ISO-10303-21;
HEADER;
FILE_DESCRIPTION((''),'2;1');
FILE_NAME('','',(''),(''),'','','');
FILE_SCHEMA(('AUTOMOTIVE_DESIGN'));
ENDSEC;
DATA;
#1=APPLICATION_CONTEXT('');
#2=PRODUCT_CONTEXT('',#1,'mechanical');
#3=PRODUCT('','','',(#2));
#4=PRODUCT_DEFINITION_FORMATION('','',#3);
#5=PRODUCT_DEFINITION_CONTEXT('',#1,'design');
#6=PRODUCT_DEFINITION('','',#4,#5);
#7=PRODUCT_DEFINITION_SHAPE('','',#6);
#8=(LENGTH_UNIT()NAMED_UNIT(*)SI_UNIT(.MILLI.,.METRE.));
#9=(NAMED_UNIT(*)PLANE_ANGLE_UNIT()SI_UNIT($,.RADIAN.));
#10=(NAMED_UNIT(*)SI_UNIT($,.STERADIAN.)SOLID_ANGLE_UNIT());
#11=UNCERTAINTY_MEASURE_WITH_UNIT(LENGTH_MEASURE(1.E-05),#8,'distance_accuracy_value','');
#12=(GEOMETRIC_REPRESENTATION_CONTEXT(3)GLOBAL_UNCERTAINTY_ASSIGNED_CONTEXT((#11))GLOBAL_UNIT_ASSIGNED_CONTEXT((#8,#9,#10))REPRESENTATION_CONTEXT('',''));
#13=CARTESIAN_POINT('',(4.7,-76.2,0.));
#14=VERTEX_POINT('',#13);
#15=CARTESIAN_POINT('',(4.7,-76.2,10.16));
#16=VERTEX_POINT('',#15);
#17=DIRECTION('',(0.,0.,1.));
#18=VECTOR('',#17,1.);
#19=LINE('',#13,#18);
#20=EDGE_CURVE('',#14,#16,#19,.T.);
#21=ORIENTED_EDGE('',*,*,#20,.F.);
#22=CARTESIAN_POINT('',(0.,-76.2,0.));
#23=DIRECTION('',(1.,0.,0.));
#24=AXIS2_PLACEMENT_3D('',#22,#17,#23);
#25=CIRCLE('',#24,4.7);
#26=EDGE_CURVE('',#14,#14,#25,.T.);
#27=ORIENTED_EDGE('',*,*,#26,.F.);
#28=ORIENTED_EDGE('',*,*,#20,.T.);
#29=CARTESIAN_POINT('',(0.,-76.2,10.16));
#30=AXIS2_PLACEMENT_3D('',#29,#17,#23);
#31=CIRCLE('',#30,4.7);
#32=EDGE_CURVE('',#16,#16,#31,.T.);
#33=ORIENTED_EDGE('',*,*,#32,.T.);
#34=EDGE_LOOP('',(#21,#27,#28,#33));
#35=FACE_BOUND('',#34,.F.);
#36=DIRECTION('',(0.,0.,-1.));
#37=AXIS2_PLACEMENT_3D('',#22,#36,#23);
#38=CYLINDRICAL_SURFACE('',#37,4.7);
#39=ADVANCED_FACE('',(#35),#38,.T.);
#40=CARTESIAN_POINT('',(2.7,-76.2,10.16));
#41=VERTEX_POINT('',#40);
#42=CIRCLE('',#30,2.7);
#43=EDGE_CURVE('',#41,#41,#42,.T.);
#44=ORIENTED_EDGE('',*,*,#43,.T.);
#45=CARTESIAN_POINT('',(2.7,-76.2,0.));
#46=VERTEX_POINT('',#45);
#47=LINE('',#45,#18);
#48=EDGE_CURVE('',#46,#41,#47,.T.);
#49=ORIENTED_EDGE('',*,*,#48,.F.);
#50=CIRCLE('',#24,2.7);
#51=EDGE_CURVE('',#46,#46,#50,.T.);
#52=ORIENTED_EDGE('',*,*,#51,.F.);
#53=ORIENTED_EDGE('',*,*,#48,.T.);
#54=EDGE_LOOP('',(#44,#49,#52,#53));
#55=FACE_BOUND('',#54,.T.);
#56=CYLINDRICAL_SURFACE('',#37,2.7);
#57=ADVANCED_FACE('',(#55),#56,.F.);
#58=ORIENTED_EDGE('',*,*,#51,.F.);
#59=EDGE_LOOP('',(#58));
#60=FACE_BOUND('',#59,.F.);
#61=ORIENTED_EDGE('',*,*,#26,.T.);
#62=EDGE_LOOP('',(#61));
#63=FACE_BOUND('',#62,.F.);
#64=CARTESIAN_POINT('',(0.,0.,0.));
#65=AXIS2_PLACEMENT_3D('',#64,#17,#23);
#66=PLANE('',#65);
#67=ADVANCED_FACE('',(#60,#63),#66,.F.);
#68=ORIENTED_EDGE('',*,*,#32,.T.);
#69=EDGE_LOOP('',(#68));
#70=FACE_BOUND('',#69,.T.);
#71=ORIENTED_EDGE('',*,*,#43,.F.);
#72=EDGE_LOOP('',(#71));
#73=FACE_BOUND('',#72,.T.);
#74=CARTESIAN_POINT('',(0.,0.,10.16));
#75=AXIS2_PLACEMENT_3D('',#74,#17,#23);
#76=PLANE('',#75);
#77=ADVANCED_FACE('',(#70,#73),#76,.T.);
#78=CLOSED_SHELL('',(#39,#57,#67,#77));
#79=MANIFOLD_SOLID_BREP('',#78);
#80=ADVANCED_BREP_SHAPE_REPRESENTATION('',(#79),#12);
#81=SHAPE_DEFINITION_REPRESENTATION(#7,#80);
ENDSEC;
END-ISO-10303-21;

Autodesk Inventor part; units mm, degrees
ref_plane "YZ Plane" through (0, 0, 0) normal (1, 0, 0) x (0, 1, 0)
ref_plane "XZ Plane" through (0, 0, 0) normal (0, 1, 0) x (-1, 0, 0)
ref_plane "XY Plane" through (0, 0, 0) normal (0, 0, 1) x (1, 0, 0)
sketch "Sketch1" plane through (0, 0, 0) normal (0, 0, 1) x (1, 0, 0)
  circle A0 centre (0, -76.2) radius 2.6 projected
  circle A1 centre (0, -76.2) radius 2.7
  circle A2 centre (0, -76.2) radius 4.7
  point P0 (0, 0)
  dimension "d0" = 0.1
  dimension "d1" = 2
extrude "Extrusion1" add sketch "Sketch1" along normal blind 10.16 contours A2
properties part number "top spacer"
